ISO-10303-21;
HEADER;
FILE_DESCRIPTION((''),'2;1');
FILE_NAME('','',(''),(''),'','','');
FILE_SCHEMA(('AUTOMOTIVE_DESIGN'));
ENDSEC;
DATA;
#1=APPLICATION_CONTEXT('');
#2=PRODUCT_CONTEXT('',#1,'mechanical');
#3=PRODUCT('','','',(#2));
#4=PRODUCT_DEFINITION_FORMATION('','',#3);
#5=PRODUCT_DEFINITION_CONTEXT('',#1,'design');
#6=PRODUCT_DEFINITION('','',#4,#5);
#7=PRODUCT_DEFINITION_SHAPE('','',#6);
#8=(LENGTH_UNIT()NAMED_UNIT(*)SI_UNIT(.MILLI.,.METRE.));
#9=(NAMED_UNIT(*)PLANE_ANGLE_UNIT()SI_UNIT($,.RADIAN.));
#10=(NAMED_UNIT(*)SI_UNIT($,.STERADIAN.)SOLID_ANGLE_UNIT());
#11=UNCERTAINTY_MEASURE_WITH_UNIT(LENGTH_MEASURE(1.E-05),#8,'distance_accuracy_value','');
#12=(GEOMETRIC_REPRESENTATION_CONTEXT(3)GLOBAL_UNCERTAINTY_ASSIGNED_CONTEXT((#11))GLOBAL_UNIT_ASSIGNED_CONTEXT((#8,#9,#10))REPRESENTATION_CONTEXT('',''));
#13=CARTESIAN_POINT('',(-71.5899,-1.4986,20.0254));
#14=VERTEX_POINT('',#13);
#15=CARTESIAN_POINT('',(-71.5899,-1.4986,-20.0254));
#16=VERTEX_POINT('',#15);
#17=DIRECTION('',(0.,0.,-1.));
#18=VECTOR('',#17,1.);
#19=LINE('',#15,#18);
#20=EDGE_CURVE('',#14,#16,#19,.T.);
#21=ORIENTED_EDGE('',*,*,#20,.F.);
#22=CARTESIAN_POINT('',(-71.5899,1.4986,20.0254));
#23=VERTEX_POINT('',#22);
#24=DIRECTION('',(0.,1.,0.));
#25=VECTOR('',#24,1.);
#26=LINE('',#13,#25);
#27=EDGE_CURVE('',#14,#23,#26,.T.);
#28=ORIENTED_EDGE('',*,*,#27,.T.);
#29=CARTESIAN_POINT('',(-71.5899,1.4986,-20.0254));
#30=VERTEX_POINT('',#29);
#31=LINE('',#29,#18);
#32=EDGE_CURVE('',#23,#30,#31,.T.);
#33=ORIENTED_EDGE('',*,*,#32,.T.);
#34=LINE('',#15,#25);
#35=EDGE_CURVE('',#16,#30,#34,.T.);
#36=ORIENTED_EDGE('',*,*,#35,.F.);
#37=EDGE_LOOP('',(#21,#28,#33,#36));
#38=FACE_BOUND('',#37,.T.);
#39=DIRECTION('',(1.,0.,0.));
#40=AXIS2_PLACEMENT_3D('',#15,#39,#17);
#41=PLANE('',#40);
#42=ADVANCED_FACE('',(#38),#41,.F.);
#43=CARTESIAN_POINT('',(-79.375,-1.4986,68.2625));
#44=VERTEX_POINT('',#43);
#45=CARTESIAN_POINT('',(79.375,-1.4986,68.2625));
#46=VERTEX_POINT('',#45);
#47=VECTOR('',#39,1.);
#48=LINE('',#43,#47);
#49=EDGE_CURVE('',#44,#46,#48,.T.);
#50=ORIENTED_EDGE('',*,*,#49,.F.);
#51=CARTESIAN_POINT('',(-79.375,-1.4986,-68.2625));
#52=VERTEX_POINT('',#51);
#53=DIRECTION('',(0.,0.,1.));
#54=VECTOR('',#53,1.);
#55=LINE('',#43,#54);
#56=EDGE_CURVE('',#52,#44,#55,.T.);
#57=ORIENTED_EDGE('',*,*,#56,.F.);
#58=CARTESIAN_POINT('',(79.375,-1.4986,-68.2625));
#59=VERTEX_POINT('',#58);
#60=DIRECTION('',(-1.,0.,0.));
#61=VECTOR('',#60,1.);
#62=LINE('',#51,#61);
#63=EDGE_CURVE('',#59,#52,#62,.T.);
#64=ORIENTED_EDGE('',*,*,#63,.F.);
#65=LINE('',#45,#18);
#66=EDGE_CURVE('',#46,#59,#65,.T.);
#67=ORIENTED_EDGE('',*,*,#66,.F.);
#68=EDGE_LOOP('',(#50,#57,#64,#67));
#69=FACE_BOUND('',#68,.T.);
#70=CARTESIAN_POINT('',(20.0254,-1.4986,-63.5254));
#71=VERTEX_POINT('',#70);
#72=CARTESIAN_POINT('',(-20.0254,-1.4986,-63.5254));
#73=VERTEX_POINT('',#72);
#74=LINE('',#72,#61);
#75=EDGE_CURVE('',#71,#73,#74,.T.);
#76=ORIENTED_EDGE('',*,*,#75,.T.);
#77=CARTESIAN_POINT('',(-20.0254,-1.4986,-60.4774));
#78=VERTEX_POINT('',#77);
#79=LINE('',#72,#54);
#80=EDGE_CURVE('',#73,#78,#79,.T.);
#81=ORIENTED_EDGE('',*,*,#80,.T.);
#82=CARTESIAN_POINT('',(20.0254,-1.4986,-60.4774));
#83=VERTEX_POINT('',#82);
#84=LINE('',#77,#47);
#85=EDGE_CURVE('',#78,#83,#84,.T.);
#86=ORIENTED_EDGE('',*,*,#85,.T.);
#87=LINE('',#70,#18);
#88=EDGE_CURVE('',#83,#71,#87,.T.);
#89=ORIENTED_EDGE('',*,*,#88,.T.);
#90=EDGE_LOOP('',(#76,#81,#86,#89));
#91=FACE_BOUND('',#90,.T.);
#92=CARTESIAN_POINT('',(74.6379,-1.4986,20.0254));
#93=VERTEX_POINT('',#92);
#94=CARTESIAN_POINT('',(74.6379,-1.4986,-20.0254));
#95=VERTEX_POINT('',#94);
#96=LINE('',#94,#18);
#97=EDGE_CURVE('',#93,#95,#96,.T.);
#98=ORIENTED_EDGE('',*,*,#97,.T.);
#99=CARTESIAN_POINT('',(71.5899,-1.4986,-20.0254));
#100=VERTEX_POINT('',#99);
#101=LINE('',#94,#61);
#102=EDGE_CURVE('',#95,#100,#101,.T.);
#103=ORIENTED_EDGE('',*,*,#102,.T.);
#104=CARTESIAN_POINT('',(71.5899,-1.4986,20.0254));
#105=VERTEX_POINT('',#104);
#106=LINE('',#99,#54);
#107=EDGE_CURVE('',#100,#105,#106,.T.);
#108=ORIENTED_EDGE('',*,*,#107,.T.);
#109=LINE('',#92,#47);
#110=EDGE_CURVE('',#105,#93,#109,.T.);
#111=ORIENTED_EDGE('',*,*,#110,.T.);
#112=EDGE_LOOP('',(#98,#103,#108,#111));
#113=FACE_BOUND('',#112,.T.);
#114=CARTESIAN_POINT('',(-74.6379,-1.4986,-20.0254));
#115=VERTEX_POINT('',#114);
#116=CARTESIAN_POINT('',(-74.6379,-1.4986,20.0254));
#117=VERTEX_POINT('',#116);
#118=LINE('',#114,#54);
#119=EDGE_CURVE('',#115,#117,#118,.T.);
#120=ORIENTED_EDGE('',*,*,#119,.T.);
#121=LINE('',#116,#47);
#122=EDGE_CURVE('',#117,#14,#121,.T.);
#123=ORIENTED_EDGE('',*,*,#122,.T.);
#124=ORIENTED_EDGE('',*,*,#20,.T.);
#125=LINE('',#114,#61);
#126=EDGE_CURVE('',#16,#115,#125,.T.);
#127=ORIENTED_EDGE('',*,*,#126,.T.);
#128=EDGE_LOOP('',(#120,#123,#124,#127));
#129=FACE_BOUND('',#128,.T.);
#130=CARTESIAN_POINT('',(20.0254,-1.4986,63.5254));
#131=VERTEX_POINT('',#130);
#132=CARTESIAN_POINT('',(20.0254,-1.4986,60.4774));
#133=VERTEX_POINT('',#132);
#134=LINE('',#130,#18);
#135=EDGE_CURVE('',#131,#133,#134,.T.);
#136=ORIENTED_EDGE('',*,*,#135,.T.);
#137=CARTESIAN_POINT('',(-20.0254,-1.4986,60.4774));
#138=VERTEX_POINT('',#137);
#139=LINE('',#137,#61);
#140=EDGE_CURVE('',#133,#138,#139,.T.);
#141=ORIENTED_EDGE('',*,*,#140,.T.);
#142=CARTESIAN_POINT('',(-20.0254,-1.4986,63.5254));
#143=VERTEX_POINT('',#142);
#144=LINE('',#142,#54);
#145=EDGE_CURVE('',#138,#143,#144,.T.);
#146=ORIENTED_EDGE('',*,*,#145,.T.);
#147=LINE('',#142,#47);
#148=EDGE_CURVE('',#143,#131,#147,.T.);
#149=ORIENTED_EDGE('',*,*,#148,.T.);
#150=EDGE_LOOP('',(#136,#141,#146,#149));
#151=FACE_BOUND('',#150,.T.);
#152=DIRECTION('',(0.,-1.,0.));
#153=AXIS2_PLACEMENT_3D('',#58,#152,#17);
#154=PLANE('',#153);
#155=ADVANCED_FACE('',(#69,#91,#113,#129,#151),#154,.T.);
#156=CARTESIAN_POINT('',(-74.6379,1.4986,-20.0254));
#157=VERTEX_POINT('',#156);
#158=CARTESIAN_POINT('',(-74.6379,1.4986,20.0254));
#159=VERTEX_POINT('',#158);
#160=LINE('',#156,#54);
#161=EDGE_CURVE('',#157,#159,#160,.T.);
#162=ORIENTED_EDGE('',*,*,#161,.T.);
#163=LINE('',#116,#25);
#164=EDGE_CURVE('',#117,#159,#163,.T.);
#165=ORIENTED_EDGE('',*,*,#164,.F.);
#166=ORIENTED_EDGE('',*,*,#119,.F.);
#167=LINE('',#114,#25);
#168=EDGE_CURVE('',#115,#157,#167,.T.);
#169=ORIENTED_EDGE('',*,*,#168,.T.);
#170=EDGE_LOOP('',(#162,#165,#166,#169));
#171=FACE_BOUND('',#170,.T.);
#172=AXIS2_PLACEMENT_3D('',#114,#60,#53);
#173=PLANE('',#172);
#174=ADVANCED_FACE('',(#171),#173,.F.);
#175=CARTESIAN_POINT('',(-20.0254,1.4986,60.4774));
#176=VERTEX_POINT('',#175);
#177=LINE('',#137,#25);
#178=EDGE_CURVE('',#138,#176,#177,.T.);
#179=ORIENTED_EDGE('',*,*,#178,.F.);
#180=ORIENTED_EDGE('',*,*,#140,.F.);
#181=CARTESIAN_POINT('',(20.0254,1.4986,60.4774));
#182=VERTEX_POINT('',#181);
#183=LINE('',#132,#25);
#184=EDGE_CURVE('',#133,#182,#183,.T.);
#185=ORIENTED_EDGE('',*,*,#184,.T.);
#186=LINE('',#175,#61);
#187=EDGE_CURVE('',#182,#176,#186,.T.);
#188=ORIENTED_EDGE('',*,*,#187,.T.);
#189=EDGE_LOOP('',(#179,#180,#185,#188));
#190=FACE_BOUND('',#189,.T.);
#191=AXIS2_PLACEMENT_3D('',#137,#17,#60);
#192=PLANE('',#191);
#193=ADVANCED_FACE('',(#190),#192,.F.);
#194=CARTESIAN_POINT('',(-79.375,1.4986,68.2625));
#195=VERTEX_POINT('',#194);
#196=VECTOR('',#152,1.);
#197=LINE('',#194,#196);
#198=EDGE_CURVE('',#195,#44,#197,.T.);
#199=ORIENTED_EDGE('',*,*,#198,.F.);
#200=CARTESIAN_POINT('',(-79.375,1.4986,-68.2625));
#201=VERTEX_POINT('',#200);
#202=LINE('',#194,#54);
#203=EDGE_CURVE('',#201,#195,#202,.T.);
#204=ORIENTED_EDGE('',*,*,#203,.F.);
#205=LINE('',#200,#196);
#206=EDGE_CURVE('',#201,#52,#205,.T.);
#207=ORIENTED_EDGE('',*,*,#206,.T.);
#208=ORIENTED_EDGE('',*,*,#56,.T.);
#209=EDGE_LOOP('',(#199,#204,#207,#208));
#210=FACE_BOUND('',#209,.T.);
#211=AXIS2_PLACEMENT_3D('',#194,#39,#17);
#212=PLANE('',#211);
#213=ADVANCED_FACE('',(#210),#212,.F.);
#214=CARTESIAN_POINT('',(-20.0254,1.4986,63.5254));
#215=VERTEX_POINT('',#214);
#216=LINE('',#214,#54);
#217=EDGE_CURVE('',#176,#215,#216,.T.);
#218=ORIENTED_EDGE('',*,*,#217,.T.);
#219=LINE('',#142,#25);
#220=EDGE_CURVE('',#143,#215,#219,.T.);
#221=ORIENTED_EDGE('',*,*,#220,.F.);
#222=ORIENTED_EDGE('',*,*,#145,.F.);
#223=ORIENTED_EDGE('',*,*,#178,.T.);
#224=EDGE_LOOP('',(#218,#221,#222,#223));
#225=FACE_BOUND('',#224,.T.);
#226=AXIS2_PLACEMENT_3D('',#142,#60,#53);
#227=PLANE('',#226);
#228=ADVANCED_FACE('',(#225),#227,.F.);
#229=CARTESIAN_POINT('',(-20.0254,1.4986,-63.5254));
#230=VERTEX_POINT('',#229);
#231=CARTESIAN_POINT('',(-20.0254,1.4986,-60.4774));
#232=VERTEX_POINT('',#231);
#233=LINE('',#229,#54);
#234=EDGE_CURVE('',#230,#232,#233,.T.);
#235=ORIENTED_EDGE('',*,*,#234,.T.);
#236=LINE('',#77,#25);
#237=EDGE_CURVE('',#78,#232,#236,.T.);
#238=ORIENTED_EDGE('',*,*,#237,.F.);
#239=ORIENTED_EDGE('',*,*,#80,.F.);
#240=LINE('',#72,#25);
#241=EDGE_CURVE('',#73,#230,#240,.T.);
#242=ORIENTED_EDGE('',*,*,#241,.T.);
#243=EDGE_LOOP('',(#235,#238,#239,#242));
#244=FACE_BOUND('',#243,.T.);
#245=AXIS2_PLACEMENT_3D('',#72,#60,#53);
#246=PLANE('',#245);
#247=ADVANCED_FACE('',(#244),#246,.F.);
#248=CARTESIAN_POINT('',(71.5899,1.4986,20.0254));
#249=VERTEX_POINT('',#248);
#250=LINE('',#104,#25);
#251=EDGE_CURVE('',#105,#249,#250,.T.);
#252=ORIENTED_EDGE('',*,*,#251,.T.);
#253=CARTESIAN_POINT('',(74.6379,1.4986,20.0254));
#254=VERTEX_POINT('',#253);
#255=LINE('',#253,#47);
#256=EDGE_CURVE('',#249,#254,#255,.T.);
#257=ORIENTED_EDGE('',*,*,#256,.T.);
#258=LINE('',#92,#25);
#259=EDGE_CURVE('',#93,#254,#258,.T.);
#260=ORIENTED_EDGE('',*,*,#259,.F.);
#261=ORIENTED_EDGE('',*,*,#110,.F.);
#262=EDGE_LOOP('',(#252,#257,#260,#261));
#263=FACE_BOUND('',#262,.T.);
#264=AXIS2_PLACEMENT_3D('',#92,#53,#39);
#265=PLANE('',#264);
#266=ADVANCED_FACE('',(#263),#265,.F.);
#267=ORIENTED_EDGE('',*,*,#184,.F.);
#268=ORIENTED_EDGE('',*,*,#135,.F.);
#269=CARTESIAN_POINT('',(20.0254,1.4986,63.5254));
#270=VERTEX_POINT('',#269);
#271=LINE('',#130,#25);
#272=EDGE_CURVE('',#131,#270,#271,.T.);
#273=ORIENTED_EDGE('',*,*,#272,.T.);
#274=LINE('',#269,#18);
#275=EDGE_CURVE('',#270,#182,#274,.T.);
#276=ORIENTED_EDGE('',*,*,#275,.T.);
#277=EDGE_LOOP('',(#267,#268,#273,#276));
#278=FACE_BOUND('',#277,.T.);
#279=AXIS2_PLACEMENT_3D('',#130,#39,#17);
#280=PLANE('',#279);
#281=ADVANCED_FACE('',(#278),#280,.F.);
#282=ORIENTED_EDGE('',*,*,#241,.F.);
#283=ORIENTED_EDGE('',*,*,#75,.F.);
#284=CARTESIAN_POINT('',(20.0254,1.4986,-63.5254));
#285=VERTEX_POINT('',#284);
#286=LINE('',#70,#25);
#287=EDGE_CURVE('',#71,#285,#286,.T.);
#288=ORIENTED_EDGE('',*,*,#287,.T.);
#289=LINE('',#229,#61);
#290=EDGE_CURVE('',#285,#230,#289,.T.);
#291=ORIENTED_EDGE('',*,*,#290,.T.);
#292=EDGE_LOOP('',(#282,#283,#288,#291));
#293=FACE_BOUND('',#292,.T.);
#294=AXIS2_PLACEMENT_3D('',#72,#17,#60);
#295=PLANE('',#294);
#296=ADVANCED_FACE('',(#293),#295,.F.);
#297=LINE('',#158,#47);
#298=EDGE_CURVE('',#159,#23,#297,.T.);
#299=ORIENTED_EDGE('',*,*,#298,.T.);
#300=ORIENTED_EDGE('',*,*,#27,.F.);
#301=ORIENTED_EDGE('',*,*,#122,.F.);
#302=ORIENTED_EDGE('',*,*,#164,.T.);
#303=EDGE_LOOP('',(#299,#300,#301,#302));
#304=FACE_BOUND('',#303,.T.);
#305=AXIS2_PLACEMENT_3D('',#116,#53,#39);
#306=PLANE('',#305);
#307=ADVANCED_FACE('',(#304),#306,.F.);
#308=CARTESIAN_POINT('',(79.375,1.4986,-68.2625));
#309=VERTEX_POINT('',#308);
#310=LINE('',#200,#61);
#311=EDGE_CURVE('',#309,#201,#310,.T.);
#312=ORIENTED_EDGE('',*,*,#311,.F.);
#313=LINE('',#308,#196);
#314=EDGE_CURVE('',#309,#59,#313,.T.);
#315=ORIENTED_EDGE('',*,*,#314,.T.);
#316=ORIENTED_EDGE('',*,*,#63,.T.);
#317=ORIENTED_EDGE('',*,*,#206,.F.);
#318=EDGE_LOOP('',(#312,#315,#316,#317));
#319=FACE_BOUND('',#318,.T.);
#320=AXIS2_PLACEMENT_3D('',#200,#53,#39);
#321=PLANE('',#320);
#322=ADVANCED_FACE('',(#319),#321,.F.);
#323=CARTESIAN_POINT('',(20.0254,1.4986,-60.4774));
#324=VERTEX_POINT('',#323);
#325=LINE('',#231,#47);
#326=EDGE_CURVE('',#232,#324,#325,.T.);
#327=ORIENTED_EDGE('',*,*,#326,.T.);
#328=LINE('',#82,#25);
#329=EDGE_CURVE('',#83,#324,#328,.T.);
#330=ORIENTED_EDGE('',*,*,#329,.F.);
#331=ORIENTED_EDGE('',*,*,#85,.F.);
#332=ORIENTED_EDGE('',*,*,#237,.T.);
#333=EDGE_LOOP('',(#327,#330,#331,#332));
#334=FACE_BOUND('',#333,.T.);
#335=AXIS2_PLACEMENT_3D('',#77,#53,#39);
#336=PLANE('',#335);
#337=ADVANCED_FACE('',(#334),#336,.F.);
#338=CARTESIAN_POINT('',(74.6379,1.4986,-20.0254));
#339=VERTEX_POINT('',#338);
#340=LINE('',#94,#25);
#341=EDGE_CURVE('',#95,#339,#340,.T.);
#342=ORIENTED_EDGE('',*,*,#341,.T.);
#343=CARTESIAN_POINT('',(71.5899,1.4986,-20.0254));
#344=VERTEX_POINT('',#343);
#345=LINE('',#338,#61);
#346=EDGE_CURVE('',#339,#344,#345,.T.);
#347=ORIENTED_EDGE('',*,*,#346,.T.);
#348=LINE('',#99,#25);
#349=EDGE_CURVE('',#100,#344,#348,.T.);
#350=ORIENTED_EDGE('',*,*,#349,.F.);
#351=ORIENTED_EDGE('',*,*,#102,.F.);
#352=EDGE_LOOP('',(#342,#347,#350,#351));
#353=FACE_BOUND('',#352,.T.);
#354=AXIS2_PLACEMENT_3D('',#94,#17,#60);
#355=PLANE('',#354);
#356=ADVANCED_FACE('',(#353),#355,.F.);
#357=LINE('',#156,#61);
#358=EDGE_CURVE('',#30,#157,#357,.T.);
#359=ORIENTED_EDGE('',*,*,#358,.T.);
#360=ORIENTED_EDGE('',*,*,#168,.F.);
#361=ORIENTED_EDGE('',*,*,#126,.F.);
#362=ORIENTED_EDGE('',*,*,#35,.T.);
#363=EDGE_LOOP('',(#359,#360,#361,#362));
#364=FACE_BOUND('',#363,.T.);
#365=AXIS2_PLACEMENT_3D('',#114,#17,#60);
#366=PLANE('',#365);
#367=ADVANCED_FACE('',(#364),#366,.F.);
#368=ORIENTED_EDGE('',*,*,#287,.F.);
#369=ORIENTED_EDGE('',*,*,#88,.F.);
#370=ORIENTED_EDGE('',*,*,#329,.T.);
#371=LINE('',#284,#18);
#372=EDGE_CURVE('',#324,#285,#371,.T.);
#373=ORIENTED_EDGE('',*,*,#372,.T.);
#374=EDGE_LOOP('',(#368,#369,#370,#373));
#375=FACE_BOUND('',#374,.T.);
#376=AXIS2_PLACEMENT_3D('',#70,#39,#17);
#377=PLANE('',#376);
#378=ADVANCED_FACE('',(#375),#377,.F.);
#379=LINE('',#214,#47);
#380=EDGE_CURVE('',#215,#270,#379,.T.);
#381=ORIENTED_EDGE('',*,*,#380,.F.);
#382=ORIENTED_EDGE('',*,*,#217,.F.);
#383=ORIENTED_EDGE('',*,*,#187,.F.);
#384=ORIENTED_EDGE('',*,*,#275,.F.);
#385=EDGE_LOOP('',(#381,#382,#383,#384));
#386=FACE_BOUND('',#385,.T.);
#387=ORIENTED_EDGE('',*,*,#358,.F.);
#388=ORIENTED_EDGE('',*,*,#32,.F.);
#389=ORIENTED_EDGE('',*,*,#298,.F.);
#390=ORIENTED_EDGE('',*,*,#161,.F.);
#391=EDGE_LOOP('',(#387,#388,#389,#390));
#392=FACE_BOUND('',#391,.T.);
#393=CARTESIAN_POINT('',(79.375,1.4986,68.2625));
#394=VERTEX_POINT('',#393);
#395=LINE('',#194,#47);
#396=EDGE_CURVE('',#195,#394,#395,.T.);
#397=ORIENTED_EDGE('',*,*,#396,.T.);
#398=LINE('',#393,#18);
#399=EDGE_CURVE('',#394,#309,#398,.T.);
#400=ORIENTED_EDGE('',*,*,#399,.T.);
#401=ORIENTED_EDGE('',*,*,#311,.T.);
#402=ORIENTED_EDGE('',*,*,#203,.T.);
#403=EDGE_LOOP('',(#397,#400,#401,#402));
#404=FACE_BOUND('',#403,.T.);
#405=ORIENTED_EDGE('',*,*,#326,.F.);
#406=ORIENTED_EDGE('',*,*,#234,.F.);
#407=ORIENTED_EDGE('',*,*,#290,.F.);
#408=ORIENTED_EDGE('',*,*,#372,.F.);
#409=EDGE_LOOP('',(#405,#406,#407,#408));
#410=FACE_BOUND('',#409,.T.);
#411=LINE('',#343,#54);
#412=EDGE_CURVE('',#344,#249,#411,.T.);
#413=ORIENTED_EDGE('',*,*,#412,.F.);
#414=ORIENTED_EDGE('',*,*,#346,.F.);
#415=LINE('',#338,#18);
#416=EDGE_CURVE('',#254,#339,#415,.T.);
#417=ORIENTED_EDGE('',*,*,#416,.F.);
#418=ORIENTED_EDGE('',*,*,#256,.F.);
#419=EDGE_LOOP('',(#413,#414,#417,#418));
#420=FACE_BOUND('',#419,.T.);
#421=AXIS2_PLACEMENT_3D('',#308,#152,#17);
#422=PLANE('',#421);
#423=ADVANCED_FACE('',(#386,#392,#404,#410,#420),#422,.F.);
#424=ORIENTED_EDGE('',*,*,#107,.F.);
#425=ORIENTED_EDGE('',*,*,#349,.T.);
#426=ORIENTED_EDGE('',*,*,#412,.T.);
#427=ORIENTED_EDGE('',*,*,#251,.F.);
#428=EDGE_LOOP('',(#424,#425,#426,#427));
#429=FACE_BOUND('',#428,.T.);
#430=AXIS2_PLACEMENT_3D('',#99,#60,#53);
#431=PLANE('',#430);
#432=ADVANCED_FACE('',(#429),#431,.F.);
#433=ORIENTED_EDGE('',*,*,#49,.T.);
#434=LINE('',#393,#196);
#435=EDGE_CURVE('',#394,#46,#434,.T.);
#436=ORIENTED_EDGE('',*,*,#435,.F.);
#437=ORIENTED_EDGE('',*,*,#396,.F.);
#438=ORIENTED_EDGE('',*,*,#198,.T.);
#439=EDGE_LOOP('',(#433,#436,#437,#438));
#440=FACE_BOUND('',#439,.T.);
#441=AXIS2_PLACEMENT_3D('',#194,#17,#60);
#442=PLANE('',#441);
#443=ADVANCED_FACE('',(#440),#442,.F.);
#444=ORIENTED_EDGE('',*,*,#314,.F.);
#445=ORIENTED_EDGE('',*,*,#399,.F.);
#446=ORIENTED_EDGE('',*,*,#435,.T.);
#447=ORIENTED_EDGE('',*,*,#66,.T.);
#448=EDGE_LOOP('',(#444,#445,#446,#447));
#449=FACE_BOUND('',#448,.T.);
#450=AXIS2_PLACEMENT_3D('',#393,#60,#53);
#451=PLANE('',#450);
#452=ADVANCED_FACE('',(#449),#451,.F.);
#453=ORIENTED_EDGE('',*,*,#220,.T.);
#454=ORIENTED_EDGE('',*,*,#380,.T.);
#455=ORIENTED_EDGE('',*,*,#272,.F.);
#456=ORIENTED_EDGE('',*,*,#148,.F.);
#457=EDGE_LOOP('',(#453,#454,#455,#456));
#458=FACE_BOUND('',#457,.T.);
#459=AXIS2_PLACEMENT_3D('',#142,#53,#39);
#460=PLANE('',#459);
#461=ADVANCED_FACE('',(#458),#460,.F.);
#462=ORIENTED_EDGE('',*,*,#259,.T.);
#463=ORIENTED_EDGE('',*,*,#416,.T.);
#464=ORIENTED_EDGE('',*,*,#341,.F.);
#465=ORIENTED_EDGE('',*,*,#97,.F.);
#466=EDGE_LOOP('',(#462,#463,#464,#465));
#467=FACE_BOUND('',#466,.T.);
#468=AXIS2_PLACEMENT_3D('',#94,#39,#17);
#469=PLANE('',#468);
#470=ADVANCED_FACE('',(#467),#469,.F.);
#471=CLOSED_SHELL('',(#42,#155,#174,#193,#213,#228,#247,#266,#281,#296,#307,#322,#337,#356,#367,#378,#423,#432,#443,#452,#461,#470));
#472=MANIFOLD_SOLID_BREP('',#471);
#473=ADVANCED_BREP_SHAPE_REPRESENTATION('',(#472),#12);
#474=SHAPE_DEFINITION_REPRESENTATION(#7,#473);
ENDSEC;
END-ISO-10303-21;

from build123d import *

# Parameters (mm, degrees)
SKETCH1_W           = 158.75
SKETCH1_H           = 136.525
BOSS_EXTRUDE1_DEPTH = 1.4986
SKETCH2_W           = 40.0508
SKETCH2_H           = 3.048
SKETCH2_W_2         = 3.048
SKETCH2_H_2         = 40.0508
CUT_EXTRUDE1_DEPTH  = 3.9972


with BuildPart() as part:
    # Sketch1 → Boss-Extrude1 (new body, symmetric)
    with BuildSketch(Plane(origin=(0, 0, 0), x_dir=(1, 0, 0), z_dir=(0, 1, 0))):
        Rectangle(SKETCH1_W, SKETCH1_H)
    extrude(amount=BOSS_EXTRUDE1_DEPTH, both=True)

    # Sketch2 → Cut-Extrude1 (cut, through all)
    with BuildSketch(Plane(origin=(0, 1.4986, 0), x_dir=(1, 0, 0), z_dir=(0, 1, 0))):
        with Locations((0, 62.0014)):
            Rectangle(SKETCH2_W, SKETCH2_H)
        with Locations((-73.1139, 0)):
            Rectangle(SKETCH2_W_2, SKETCH2_H_2)
        with Locations((0, -62.0014)):
            Rectangle(SKETCH2_W, SKETCH2_H)
        with Locations((73.1139, 0)):
            Rectangle(SKETCH2_W_2, SKETCH2_H_2)
    extrude(amount=-CUT_EXTRUDE1_DEPTH, mode=Mode.SUBTRACT)


solid = part.part
